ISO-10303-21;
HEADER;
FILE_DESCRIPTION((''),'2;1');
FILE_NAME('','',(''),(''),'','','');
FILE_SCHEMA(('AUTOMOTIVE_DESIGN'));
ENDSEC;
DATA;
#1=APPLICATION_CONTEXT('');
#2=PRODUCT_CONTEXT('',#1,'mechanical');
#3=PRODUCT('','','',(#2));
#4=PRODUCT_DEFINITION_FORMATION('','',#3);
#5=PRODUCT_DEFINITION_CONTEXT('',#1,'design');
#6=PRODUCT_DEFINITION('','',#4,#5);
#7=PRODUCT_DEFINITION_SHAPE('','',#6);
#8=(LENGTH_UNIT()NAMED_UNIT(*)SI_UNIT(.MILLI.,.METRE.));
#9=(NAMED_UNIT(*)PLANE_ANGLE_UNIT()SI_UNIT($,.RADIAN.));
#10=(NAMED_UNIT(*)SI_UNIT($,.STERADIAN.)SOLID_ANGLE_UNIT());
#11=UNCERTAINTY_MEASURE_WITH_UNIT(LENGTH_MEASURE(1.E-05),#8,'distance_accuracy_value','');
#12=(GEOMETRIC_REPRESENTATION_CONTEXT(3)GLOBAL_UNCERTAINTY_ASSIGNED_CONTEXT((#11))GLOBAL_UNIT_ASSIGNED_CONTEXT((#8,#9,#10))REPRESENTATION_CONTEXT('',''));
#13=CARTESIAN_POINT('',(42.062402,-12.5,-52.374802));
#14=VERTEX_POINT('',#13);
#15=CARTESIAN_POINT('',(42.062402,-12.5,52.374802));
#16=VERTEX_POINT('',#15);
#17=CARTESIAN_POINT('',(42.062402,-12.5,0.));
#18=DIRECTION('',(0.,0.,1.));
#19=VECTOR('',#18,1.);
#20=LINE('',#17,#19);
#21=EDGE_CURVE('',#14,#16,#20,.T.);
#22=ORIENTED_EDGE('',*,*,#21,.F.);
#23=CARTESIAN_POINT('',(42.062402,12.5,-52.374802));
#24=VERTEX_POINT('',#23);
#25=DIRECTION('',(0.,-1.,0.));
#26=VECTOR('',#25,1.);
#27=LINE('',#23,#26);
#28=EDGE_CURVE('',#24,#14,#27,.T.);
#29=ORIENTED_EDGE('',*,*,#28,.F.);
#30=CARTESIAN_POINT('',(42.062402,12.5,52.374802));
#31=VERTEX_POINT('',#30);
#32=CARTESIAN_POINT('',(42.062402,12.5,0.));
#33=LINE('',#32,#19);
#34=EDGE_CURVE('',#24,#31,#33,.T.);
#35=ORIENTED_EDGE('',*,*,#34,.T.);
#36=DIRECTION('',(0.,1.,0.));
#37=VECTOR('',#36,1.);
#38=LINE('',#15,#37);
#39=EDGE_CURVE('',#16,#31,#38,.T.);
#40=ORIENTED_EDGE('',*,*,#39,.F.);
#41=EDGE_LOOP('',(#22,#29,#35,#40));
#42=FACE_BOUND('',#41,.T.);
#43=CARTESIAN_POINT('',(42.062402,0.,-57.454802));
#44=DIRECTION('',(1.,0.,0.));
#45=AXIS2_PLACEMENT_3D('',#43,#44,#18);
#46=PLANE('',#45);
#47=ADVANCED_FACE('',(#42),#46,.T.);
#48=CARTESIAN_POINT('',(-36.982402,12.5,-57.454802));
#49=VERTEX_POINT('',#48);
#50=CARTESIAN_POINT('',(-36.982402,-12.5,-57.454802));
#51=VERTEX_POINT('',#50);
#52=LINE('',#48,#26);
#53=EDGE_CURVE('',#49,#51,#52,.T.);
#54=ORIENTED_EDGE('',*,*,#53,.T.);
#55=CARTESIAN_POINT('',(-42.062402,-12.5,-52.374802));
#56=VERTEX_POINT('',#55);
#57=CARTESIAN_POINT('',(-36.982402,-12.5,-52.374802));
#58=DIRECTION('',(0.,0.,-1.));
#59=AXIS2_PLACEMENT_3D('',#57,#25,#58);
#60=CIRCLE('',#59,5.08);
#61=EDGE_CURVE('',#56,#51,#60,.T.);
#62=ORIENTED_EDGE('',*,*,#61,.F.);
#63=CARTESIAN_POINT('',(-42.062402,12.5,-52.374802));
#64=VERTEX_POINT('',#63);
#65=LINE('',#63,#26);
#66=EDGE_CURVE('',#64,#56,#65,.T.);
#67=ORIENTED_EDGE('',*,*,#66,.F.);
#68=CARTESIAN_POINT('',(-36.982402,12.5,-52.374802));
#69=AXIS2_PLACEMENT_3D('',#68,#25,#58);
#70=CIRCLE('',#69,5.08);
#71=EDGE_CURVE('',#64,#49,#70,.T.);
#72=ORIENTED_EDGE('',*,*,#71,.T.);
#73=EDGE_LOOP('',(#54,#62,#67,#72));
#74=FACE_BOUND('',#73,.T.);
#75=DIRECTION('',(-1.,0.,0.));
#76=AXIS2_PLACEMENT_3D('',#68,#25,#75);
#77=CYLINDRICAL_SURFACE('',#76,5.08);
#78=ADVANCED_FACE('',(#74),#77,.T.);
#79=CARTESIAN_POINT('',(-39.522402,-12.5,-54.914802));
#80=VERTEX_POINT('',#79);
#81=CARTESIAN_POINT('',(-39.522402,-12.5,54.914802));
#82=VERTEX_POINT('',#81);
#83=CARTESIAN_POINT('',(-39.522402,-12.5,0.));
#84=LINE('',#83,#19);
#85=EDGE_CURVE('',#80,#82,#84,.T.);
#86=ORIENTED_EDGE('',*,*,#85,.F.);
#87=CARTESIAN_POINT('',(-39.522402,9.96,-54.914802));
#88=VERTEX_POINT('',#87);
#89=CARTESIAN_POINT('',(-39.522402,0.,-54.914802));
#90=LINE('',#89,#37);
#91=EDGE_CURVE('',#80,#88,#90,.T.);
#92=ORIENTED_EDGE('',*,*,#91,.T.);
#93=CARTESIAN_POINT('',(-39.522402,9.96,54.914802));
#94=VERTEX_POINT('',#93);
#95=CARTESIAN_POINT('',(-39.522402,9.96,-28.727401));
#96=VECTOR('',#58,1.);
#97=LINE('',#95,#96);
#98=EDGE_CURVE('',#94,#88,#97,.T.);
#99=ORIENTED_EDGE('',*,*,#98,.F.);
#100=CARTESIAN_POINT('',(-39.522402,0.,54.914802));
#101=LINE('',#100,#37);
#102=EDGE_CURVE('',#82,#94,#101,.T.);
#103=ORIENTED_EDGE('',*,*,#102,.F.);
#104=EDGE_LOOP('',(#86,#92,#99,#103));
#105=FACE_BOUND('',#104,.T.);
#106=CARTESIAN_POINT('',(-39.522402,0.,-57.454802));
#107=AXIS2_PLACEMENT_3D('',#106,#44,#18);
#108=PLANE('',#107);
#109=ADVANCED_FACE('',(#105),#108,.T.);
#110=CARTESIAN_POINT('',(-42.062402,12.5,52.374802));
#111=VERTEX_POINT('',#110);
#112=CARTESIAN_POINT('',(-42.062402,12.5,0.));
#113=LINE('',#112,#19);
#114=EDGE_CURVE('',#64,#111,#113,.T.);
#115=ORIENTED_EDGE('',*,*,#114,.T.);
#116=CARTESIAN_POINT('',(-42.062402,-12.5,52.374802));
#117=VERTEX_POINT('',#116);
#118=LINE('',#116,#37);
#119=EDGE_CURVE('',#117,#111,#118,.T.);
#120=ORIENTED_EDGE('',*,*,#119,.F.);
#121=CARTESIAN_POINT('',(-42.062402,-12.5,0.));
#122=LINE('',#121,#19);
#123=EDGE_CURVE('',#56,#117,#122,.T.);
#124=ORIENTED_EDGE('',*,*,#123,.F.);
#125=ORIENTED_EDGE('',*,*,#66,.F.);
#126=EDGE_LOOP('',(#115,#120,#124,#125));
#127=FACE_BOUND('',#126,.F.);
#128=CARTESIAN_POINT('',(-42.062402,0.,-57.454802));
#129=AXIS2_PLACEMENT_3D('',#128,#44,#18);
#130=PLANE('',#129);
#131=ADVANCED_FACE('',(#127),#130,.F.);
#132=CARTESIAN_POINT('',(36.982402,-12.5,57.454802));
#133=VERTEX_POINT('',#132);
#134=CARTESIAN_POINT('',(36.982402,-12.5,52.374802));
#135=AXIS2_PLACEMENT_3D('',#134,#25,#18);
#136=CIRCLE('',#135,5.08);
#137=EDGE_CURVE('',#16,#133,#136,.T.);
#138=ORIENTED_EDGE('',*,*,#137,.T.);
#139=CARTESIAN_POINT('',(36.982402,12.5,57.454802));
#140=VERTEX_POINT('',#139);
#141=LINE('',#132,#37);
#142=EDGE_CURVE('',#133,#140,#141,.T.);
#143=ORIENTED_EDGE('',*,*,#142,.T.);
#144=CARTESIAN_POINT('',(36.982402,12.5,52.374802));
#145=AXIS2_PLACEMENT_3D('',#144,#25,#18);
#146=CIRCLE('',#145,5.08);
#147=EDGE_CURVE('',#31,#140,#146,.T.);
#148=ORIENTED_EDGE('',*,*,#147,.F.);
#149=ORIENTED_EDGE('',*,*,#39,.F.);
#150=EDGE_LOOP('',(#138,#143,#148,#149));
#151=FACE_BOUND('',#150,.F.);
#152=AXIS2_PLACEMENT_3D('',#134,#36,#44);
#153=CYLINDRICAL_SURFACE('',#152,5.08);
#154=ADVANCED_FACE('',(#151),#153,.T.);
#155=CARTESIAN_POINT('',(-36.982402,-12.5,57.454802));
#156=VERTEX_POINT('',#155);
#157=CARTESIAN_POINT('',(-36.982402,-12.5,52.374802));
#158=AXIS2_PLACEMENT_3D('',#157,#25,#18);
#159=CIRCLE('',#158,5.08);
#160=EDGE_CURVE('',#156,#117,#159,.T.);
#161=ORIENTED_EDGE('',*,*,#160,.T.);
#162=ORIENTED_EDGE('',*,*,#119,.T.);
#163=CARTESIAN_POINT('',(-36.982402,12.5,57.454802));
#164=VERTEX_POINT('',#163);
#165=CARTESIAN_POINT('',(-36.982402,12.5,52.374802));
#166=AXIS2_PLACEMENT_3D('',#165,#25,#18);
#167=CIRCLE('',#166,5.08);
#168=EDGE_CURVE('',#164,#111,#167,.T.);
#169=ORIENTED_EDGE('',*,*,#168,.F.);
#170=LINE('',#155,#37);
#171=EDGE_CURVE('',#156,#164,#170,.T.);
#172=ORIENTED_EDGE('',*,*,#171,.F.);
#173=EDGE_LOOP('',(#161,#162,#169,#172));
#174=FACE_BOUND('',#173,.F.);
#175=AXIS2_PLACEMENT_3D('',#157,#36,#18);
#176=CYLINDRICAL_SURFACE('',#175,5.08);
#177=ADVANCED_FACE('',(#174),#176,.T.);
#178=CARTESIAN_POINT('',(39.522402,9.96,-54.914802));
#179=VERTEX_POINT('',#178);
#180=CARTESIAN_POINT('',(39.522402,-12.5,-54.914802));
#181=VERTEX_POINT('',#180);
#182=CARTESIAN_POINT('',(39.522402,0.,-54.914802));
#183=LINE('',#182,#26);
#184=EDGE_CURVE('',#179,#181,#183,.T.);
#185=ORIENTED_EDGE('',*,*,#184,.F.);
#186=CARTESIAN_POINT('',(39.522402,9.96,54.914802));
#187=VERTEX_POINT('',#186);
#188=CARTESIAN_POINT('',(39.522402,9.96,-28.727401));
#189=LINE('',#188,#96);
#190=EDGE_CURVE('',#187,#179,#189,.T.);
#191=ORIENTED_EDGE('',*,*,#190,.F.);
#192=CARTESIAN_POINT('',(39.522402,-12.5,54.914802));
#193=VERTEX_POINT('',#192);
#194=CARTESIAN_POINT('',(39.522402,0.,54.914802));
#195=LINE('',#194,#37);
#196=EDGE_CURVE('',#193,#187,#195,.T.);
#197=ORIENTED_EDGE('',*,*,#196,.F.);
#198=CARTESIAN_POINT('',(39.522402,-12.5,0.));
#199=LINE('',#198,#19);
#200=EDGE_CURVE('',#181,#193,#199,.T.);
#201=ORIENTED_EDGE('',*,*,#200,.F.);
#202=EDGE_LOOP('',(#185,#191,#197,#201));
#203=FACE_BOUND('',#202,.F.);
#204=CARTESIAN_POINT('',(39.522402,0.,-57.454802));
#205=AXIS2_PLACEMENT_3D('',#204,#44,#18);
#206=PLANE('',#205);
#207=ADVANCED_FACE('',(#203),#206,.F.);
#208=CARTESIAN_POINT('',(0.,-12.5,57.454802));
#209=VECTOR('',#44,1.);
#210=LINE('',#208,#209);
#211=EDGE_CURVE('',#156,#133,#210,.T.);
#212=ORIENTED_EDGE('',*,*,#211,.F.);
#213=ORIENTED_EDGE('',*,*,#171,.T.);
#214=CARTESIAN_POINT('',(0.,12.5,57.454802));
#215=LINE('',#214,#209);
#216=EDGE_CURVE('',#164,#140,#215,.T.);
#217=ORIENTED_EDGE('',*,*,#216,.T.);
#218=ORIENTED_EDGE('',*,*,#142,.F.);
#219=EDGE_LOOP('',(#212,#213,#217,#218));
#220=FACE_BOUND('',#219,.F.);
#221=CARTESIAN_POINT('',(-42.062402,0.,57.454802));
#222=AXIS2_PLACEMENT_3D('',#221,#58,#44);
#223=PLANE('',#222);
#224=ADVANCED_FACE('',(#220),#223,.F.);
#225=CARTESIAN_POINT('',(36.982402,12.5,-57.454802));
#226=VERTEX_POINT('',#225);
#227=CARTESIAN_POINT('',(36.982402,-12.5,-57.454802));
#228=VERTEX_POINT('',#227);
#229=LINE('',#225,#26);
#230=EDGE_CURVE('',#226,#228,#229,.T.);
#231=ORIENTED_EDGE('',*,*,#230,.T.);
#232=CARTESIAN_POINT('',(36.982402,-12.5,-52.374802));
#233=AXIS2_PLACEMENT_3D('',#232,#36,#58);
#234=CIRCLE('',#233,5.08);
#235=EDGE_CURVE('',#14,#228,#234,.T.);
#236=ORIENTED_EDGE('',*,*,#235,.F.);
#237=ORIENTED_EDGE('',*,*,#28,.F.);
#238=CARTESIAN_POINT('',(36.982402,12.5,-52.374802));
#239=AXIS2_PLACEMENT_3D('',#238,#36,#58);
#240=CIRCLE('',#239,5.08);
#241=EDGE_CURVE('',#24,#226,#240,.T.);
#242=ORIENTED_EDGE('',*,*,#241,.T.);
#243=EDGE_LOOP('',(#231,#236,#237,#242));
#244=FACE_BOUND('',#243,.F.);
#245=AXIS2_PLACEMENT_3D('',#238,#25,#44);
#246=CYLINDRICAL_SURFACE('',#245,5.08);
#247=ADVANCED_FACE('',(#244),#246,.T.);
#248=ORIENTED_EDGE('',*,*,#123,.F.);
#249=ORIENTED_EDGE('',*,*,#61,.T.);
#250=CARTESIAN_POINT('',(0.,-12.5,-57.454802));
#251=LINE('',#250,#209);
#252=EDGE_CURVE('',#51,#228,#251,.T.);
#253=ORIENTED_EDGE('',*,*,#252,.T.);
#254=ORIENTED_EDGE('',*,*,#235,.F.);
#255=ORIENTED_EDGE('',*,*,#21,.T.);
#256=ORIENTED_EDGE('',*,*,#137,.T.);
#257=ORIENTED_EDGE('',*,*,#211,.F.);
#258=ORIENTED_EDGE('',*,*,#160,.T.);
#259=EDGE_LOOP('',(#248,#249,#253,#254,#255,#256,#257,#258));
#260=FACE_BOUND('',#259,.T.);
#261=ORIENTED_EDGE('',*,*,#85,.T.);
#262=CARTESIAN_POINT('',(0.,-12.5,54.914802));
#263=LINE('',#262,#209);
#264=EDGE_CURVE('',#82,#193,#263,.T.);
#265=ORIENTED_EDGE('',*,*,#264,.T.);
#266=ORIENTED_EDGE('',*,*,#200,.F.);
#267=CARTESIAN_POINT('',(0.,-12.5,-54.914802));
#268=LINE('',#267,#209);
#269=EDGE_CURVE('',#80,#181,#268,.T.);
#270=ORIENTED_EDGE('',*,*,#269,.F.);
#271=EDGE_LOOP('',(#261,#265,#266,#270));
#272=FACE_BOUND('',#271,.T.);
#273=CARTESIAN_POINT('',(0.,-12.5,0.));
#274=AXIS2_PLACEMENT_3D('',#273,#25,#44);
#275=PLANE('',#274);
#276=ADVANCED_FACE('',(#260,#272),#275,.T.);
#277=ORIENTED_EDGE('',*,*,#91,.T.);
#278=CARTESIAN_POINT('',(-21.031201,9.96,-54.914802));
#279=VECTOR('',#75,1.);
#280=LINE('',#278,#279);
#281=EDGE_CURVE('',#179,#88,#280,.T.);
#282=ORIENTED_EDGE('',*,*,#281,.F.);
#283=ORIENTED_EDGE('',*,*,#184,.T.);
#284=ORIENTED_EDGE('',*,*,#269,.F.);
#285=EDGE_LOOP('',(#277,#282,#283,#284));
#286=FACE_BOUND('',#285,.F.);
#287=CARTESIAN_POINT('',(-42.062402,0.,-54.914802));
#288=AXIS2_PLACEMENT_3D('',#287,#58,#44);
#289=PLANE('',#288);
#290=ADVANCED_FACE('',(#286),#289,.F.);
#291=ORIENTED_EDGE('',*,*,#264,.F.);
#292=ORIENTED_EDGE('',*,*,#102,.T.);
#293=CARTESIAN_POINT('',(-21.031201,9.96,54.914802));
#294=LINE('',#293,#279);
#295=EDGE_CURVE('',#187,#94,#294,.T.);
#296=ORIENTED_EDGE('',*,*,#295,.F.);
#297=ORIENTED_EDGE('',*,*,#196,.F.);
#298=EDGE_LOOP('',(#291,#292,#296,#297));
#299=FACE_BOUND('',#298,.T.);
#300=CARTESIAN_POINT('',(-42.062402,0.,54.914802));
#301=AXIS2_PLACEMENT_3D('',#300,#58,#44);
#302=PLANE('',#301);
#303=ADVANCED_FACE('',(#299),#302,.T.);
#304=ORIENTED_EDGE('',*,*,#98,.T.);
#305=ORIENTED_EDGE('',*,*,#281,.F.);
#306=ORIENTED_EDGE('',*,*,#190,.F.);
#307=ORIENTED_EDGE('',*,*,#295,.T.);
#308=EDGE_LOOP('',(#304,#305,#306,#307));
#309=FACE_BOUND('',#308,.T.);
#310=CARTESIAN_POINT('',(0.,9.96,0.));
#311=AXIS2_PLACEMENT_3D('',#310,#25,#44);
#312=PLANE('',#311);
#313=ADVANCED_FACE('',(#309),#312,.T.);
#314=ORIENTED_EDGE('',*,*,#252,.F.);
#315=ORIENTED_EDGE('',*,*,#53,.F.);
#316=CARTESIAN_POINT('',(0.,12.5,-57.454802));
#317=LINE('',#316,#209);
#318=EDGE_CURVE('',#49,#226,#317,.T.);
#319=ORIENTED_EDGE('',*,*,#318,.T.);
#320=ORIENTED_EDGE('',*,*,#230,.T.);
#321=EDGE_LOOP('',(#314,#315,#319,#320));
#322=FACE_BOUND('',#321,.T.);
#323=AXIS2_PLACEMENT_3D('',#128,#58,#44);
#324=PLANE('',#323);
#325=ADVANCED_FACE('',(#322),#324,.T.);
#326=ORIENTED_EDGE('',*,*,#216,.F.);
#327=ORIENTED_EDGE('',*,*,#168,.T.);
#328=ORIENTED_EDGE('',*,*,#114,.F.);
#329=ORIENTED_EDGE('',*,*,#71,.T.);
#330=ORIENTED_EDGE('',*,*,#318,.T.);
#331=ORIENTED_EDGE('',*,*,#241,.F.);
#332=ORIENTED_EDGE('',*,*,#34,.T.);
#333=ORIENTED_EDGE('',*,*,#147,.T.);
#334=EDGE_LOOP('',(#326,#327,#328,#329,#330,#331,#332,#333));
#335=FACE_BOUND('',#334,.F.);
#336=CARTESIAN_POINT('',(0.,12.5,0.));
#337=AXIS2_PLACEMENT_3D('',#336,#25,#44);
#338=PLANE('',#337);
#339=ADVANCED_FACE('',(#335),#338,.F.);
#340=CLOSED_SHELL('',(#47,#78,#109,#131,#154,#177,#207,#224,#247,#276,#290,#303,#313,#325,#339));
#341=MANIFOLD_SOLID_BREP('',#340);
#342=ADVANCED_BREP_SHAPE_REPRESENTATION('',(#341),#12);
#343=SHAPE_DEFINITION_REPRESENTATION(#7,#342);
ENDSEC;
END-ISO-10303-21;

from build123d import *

# Parameters (mm, degrees)
F0_W     = 84.124804
F0_H     = 114.909604
F1_DEPTH = 12.5
F2_T     = -2.54
F3_R     = 5.08


with BuildPart() as f1:
    # F0 (on Front) → F1 (new body, symmetric)
    with BuildSketch(Plane.XZ):
        Rectangle(F0_W, F0_H)
    extrude(amount=F1_DEPTH, both=True)

    # F2
    f2_openings = [f1.faces().sort_by_distance(p)[0] for p in [
        (0, -12.5, 0),
    ]]
    offset(amount=F2_T, openings=f2_openings)

    # F3
    f3_edges = [f1.edges().sort_by_distance(p)[0] for p in [
        (-42.062402, 0, 57.454802),
        (-42.062402, 0, -57.454802),
        (42.062402, 0, 57.454802),
        (42.062402, 0, -57.454802),
    ]]
    fillet(f3_edges, radius=F3_R)


solid = f1.part
